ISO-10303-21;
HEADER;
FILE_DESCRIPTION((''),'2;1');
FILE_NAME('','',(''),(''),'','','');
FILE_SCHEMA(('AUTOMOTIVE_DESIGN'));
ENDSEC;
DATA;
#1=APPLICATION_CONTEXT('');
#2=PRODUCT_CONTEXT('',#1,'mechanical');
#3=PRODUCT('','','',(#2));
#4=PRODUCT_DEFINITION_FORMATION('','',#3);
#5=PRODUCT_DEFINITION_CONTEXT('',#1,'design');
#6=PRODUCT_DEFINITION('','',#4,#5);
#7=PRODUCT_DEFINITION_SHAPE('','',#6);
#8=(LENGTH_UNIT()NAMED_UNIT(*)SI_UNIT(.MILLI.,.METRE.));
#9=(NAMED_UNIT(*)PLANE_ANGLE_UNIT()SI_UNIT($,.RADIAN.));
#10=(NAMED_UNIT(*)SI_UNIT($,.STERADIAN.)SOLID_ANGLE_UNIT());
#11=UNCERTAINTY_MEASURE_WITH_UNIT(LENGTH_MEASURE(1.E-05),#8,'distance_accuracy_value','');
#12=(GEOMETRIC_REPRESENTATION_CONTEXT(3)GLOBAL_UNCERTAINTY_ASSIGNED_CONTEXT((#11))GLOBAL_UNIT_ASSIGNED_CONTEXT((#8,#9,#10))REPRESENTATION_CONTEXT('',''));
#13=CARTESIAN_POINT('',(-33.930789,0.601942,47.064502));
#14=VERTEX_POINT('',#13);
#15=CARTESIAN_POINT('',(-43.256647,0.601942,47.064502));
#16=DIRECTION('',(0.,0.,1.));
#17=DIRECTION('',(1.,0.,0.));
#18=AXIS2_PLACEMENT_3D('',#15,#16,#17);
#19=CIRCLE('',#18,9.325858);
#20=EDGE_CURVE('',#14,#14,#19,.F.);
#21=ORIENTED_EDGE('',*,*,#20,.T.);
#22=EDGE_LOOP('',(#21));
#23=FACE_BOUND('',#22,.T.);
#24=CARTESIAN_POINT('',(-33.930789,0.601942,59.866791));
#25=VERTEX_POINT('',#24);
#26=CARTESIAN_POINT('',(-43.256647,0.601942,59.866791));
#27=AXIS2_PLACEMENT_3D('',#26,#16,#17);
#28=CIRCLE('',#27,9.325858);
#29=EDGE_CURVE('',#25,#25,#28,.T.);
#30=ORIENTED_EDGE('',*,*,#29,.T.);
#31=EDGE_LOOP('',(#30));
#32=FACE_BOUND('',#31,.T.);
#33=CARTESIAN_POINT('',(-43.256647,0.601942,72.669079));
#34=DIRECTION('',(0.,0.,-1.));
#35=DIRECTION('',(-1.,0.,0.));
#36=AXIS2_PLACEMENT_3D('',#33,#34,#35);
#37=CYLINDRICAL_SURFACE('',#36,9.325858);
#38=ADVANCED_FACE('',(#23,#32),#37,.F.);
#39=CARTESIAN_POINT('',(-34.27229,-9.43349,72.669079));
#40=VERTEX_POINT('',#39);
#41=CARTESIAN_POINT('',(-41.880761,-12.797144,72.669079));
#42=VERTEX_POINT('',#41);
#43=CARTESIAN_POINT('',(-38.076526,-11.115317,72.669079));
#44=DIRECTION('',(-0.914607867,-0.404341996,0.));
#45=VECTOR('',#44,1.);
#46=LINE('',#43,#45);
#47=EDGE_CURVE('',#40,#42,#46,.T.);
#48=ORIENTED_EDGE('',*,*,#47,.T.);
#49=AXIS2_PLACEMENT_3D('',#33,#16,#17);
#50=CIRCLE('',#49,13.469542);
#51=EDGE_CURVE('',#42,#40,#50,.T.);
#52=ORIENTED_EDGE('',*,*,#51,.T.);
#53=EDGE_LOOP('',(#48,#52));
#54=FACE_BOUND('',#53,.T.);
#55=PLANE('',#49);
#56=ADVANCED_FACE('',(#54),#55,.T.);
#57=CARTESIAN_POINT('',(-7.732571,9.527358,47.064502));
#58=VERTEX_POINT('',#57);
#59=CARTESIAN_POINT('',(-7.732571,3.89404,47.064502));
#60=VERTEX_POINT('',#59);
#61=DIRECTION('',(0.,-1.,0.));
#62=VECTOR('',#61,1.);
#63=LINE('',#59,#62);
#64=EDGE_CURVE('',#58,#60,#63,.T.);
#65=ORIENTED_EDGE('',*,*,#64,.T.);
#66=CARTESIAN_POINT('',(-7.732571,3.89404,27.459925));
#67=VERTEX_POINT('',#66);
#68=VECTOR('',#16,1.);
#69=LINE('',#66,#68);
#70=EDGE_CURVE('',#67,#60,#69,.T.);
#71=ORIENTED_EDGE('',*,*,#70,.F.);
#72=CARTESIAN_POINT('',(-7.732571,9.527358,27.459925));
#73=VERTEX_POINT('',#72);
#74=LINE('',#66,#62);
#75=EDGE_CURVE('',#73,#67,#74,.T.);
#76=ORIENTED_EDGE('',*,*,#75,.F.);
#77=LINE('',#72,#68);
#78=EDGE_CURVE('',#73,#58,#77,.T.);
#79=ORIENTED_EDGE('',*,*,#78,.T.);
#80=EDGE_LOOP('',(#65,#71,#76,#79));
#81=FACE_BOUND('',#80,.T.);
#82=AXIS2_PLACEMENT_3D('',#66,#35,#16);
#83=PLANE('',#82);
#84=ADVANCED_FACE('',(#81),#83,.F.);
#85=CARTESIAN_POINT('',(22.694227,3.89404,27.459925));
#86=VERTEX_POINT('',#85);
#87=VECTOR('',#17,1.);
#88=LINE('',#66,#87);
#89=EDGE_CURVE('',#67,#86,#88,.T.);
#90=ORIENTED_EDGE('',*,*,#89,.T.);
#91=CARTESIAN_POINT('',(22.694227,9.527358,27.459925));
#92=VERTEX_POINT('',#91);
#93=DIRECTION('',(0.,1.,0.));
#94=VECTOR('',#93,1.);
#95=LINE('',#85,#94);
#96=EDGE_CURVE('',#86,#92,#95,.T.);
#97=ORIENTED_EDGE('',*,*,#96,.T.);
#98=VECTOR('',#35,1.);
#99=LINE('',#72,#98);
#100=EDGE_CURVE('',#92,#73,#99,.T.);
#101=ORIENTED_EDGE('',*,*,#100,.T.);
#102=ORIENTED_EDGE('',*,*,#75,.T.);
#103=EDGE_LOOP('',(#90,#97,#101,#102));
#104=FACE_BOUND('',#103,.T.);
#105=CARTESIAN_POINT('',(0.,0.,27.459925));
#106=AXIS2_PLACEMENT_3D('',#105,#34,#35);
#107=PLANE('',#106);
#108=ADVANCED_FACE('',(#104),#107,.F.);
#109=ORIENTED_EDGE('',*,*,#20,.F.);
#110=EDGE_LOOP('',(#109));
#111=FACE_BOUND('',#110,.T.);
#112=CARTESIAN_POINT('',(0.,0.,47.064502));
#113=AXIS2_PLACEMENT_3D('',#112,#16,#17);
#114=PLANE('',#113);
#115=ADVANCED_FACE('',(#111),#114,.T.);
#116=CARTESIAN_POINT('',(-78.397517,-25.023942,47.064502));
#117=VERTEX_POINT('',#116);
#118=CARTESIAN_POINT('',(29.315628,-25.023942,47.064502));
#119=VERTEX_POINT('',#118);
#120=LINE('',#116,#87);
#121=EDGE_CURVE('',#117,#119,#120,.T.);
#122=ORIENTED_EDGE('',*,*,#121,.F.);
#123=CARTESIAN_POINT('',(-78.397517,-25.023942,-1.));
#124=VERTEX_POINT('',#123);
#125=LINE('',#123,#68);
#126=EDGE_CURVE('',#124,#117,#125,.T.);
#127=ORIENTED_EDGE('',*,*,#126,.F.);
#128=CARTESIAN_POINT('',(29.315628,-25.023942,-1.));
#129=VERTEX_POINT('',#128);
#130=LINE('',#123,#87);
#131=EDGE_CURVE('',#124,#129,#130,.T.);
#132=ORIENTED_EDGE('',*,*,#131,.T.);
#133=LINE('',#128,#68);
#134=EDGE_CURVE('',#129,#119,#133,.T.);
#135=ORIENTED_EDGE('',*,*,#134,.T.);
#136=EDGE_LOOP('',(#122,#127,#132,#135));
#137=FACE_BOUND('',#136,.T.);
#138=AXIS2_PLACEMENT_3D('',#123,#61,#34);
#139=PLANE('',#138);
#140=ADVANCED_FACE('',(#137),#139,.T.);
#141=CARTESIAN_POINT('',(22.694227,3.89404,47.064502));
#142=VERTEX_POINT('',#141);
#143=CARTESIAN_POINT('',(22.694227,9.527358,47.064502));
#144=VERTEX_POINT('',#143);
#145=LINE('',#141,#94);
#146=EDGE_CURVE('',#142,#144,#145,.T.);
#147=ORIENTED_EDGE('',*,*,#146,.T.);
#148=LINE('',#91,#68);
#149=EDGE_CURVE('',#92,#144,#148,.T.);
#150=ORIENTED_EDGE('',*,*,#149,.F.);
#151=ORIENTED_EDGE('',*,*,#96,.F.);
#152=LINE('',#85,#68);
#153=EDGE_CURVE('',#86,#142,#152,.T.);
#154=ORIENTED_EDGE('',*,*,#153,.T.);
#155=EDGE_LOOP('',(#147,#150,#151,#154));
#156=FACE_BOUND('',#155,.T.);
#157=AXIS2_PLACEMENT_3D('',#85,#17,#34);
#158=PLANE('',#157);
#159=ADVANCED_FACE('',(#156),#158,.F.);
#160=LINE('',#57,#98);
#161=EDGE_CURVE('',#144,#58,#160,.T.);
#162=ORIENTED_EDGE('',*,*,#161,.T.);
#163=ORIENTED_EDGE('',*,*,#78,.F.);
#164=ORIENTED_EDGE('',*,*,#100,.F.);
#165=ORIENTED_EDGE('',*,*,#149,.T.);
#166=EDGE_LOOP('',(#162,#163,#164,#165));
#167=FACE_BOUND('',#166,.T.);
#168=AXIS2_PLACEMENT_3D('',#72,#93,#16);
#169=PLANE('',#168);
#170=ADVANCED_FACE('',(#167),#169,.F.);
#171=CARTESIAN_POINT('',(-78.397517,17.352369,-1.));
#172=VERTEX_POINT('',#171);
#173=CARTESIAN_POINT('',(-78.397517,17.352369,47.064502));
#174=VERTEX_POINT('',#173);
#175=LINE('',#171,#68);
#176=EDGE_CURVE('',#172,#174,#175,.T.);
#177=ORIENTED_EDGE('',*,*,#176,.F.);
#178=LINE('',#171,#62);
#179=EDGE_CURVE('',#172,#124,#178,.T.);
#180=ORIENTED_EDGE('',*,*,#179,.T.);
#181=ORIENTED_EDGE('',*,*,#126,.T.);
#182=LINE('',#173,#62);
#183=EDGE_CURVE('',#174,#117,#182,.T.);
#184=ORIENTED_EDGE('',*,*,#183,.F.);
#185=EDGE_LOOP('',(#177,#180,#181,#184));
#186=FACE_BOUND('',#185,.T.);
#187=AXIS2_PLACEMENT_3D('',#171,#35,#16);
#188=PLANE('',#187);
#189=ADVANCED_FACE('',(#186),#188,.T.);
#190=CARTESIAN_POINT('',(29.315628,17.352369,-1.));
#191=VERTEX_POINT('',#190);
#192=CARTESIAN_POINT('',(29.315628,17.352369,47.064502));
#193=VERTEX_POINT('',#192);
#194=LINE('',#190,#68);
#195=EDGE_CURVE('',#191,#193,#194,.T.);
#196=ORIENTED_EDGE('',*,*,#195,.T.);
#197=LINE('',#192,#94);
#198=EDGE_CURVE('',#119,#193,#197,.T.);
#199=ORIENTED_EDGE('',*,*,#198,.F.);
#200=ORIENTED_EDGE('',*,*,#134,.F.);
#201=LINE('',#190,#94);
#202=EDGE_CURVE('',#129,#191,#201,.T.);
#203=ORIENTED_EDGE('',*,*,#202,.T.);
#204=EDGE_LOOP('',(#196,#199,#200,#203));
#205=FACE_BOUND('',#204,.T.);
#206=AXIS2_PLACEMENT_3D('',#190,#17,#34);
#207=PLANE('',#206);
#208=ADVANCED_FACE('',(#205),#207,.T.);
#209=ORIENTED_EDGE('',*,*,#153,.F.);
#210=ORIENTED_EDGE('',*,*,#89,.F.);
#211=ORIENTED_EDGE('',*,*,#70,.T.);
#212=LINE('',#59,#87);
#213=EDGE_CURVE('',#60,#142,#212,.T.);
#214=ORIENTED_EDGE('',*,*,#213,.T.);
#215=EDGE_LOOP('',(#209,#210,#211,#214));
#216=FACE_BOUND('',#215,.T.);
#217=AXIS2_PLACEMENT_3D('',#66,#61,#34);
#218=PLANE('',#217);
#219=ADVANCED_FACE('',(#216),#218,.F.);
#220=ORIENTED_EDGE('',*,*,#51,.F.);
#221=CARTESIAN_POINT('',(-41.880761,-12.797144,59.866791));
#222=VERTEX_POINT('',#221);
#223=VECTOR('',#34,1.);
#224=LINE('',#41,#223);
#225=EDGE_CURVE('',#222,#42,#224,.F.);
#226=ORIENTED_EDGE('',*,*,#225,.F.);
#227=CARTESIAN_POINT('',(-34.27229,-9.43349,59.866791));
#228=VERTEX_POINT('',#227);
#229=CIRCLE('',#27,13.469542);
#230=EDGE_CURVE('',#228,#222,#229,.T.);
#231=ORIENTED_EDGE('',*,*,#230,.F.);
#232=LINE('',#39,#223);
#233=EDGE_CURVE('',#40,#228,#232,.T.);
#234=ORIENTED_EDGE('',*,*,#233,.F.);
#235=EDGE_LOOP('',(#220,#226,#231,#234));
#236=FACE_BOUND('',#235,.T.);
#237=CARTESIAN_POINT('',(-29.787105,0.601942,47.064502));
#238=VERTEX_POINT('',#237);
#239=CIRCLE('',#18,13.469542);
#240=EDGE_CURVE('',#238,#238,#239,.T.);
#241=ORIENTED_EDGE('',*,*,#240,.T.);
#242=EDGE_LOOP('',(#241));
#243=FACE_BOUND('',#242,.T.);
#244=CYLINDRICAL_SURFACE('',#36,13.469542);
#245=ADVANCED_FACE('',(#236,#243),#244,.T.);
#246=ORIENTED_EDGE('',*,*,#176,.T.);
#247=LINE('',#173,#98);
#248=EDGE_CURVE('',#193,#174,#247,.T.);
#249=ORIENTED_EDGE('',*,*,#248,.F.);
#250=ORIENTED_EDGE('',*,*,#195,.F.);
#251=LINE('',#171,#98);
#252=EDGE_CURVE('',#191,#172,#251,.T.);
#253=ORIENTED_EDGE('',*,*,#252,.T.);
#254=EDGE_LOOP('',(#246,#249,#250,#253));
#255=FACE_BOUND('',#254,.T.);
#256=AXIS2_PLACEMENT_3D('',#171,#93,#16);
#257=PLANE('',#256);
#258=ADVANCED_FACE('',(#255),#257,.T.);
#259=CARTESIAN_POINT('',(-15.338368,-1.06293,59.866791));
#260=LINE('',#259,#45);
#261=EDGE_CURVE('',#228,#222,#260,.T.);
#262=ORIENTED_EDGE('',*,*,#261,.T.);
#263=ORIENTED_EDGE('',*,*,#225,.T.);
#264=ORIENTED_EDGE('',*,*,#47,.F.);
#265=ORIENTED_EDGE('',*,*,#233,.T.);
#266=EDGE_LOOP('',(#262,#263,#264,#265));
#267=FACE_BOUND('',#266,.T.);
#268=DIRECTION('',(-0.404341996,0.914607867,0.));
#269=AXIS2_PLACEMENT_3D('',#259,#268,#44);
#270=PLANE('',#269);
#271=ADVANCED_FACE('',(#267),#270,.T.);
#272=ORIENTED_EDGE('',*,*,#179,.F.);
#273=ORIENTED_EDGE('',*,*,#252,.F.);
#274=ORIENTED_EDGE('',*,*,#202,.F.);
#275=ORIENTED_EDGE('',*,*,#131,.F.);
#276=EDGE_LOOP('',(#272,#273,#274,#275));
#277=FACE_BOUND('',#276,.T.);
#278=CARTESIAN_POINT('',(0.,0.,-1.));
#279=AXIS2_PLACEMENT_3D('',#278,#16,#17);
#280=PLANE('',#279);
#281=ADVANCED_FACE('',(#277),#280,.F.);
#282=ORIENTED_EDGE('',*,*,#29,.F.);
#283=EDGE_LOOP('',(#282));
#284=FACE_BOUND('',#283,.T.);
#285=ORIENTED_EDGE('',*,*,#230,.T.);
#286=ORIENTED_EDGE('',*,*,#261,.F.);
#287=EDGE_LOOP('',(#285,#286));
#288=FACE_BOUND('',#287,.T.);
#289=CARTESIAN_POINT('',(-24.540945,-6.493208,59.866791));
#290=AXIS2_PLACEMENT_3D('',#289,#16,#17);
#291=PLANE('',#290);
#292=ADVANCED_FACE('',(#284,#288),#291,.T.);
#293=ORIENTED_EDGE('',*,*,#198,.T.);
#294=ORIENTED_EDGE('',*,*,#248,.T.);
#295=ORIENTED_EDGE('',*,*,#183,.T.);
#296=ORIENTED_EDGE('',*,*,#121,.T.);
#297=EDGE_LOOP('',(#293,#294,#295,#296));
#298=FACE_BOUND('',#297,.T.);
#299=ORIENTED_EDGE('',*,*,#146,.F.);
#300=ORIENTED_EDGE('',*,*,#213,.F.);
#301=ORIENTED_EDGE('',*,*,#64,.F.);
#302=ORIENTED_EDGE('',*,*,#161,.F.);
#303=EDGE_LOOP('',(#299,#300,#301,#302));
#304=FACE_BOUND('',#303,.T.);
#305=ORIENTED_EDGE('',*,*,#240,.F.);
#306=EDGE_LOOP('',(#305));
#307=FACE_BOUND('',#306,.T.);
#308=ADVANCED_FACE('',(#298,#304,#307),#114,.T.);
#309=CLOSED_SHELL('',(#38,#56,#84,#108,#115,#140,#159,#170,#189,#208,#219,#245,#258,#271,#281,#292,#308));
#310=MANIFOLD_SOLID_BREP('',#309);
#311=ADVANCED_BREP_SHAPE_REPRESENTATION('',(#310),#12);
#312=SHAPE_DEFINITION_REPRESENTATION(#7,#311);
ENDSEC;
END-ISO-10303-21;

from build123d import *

# Parameters (mm, degrees)
BOSS_EXTRUDE1_DEPTH      = 47.064502155
BOSS_EXTRUDE1_DEPTH_BACK = 1
SKETCH1_W                = 107.713145043
SKETCH1_H                = 42.376311336
SKETCH2_R                = 13.469541987
SKETCH2_R_2              = 9.325857952
BOSS_EXTRUDE2_DEPTH      = 25.604576726
SKETCH3_OUTSIDE_W        = 137.154
SKETCH3_OUTSIDE_H        = 71.816
CUT_EXTRUDE2_DEPTH       = 12.802288363
SKETCH5_W                = 30.426797769
SKETCH5_H                = 5.633317916
CUT_EXTRUDE3_DEPTH       = 19.604576726


with BuildPart() as part:
    # Sketch1 → Boss-Extrude1 (new, two sides: drawn at the far end of the back side and taken through both)
    with BuildSketch(Plane(origin=(-41.279886751, 0, 0), x_dir=(1, 0, 0), z_dir=(0, 0, 1)).offset(-BOSS_EXTRUDE1_DEPTH_BACK)):
        with Locations((16.738942234, -3.835786802)):
            Rectangle(SKETCH1_W, SKETCH1_H)
    extrude(amount=BOSS_EXTRUDE1_DEPTH + BOSS_EXTRUDE1_DEPTH_BACK)

    # Sketch2 → Boss-Extrude2 (add)
    with BuildSketch(Plane(origin=(-44.843209588, 3.141572349, 47.064502155), x_dir=(1, 0, 0), z_dir=(0, 0, 1))):
        with Locations((1.586562206, -2.539630295)):
            Circle(SKETCH2_R)
        with Locations((1.586562206, -2.539630295)):
            Circle(SKETCH2_R_2, mode=Mode.SUBTRACT)
    extrude(amount=BOSS_EXTRUDE2_DEPTH)

    # Sketch3 outside → Cut-Extrude2 (cut, symmetric)
    with BuildSketch(Plane.XY.offset(72.669078881)):
        with Locations((-24.541, -3.836)):
            Rectangle(SKETCH3_OUTSIDE_W, SKETCH3_OUTSIDE_H)
        Polygon((-18.492947879, -30.338784684), (-15.338367542, -1.062929581), (-42.269291948, -12.968910423), align=None, mode=Mode.SUBTRACT)
    extrude(amount=CUT_EXTRUDE2_DEPTH, both=True, mode=Mode.SUBTRACT)

    # Sketch5 → Cut-Extrude3 (cut)
    with BuildSketch(Plane.XY.offset(47.064502155)):
        with Locations((7.480827718, 6.71069858)):
            Rectangle(SKETCH5_W, SKETCH5_H)
    extrude(amount=-CUT_EXTRUDE3_DEPTH, mode=Mode.SUBTRACT)


solid = part.part
